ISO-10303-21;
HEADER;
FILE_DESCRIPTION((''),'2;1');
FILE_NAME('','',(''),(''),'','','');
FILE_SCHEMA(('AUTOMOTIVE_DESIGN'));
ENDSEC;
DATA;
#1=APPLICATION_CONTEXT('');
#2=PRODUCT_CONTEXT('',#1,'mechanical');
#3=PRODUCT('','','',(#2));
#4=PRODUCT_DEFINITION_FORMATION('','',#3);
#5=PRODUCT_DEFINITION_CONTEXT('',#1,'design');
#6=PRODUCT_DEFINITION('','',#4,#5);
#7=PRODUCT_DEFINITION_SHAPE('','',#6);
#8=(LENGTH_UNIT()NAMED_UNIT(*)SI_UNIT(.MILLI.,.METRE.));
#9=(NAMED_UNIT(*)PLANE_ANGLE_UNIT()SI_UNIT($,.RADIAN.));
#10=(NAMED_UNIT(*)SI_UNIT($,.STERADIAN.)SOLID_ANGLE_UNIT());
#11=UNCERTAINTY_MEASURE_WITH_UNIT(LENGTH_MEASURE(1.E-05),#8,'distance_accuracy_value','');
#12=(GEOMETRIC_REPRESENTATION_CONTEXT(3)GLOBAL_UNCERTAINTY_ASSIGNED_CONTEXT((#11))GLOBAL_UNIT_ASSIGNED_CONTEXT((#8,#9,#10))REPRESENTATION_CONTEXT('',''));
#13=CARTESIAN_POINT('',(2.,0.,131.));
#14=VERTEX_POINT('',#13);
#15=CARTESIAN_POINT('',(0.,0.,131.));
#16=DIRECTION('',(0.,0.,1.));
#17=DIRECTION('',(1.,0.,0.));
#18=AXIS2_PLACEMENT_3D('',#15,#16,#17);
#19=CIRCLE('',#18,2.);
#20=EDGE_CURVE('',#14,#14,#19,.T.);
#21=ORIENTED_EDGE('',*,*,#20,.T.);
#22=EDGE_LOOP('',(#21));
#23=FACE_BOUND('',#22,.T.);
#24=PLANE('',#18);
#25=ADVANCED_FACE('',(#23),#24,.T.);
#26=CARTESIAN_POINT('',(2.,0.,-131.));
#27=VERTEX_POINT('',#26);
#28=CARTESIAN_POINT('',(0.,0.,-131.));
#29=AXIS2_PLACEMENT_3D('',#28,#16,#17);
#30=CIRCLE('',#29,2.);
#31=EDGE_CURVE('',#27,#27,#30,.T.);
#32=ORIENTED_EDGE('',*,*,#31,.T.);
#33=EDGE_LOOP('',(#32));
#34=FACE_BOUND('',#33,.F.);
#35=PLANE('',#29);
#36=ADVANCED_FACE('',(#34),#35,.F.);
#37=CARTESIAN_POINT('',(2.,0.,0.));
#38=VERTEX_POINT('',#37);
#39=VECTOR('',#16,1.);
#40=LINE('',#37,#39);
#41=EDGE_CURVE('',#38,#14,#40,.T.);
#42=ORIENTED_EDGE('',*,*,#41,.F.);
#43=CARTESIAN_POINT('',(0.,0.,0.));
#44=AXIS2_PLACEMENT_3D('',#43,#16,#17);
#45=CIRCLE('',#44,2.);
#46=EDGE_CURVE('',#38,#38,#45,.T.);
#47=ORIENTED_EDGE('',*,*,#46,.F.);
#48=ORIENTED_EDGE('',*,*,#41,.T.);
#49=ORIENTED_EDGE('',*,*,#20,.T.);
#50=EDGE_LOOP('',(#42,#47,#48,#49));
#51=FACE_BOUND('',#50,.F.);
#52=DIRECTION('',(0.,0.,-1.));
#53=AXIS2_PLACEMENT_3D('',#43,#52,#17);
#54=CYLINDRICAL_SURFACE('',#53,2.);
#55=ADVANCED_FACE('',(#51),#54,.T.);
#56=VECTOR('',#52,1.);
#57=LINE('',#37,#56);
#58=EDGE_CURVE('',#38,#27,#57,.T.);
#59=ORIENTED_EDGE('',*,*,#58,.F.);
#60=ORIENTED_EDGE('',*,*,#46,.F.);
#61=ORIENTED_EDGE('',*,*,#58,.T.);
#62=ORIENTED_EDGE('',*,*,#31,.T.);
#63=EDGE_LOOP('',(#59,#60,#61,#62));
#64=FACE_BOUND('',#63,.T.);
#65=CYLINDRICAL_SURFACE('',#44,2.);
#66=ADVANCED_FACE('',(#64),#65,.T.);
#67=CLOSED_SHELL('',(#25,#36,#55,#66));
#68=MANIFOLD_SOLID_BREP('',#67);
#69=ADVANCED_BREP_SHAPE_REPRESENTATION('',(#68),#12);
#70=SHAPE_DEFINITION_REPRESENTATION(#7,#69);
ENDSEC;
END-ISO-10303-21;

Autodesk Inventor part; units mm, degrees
ref_plane "YZ Plane" through (0, 0, 0) normal (1, 0, 0) x (0, 1, 0)
ref_plane "XZ Plane" through (0, 0, 0) normal (0, 1, 0) x (-1, 0, 0)
ref_plane "XY Plane" through (0, 0, 0) normal (0, 0, 1) x (1, 0, 0)
sketch "Sketch1" plane through (0, 0, 0) normal (0, 0, 1) x (1, 0, 0)
  circle A0 centre (0, 0) radius 2
  dimension "d0" = 4
extrude "Extrusion1" add sketch "Sketch1" along normal mid plane 262
properties part number "Brass_Rod_M4" material "Brass, Soft Yellow"
